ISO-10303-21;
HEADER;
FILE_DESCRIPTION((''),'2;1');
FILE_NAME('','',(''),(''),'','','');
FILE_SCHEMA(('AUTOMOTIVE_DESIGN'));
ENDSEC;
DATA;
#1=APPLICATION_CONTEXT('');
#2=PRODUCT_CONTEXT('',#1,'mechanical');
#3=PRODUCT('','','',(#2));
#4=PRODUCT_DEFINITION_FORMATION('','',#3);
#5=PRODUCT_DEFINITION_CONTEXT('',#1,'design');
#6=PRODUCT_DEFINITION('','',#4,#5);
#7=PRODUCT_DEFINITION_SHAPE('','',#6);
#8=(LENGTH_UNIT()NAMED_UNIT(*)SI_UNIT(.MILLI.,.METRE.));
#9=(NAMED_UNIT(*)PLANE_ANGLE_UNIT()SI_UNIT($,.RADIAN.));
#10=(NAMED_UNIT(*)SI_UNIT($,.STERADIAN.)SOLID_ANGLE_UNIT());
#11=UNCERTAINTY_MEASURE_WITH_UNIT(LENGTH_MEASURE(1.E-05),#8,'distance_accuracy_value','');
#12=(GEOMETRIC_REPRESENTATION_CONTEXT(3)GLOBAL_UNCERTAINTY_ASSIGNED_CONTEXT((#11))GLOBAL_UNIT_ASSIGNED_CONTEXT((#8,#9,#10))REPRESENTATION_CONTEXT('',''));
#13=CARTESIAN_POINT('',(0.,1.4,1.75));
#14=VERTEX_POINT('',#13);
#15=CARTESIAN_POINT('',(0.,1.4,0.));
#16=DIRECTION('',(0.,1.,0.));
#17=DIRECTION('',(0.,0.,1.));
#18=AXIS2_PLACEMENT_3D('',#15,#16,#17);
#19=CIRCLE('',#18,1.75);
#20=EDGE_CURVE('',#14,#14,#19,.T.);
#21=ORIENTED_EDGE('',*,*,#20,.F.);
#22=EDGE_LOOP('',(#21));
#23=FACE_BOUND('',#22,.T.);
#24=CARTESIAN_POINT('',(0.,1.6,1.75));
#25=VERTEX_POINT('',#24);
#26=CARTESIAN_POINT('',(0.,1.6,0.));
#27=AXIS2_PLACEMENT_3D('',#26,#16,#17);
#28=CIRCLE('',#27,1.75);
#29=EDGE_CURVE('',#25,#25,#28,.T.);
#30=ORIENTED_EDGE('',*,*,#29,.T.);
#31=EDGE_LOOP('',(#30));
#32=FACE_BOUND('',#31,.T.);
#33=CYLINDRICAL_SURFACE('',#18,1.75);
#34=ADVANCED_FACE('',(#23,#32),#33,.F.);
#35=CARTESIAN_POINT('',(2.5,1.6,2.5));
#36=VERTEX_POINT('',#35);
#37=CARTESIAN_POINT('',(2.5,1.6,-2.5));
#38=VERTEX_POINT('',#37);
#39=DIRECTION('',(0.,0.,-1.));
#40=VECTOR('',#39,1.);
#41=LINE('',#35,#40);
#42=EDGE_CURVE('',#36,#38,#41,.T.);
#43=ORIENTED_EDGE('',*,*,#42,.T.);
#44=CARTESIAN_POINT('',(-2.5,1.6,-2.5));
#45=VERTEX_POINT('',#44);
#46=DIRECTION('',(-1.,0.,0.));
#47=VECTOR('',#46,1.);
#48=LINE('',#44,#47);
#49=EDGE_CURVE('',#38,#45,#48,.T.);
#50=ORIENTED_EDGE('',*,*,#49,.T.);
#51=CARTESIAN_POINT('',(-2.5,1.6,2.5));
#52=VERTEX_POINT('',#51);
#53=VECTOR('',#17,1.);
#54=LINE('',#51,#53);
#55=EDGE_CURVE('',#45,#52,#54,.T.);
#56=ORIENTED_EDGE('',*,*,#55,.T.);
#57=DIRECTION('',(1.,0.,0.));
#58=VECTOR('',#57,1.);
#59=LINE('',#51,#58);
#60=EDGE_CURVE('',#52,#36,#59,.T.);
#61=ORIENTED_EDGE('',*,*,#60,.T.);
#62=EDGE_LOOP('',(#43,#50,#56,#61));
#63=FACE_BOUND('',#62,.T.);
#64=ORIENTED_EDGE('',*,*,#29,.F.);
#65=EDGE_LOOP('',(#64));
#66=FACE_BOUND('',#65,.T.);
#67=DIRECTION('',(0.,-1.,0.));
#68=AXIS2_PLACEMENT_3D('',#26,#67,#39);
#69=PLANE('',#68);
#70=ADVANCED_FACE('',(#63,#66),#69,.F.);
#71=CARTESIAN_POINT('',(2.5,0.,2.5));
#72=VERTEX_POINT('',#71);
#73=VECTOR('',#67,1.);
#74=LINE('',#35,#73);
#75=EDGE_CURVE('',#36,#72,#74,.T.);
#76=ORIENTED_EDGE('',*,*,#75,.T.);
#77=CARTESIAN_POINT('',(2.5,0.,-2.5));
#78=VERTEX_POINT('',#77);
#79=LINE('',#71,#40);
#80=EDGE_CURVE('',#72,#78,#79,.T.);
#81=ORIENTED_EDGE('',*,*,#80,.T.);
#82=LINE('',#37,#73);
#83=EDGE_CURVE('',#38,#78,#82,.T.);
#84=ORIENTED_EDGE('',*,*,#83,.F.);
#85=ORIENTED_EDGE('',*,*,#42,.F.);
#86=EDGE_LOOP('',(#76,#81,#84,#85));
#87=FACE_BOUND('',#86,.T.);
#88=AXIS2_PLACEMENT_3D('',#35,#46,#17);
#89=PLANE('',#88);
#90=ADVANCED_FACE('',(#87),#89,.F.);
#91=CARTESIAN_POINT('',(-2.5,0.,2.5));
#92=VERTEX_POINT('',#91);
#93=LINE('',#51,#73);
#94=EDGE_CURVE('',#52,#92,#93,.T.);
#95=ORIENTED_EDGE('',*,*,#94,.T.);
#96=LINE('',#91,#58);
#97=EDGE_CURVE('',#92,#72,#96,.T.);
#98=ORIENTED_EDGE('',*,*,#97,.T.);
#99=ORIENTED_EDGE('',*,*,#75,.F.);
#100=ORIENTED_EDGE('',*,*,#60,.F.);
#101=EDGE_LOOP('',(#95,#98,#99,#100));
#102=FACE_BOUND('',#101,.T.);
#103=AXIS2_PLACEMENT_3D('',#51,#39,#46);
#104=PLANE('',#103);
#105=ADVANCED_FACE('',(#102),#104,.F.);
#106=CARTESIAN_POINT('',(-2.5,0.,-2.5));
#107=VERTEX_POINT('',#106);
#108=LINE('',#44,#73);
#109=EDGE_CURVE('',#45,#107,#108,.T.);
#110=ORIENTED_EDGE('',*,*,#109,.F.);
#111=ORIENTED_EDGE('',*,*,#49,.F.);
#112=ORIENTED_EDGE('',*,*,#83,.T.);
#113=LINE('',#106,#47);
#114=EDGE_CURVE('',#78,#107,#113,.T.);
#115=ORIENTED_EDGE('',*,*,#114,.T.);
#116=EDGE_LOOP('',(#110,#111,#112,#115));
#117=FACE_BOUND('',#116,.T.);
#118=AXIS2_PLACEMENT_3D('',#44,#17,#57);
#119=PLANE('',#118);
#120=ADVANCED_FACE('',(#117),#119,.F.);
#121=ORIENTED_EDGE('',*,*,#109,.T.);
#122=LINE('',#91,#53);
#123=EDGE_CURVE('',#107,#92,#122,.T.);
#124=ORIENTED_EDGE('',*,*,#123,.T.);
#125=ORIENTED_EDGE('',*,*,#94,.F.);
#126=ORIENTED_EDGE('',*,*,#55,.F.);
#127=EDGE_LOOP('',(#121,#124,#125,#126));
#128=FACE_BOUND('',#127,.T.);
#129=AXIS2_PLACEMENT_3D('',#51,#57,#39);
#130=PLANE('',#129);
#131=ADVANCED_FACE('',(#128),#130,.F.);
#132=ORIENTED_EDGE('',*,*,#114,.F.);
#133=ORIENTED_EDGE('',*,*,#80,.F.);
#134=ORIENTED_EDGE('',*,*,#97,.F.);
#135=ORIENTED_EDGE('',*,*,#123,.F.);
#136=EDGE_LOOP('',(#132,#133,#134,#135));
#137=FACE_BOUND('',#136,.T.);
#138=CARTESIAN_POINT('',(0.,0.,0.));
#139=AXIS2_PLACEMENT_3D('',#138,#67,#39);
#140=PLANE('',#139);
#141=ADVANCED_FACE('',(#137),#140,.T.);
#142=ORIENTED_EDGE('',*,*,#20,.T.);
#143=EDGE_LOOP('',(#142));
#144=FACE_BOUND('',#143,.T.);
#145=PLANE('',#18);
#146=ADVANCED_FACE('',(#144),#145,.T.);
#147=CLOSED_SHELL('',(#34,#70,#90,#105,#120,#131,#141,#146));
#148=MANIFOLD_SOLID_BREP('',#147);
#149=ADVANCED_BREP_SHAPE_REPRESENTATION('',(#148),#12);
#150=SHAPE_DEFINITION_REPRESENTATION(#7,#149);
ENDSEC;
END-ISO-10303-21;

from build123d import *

# Parameters (mm, degrees)
SKETCH1_W           = 5
SKETCH1_H           = 5
BOSS_EXTRUDE1_DEPTH = 1.6
SKETCH2_R           = 1.75
CUT_EXTRUDE1_DEPTH  = 0.2


with BuildPart() as part:
    # Sketch1 → Boss-Extrude1 (new body)
    with BuildSketch(Plane(origin=(0, 0, 0), x_dir=(1, 0, 0), z_dir=(0, 1, 0))):
        Rectangle(SKETCH1_W, SKETCH1_H)
    extrude(amount=BOSS_EXTRUDE1_DEPTH)

    # Sketch2 → Cut-Extrude1 (cut)
    with BuildSketch(Plane(origin=(0, 1.6, 0), x_dir=(1, 0, 0), z_dir=(0, 1, 0))):
        Circle(SKETCH2_R)
    extrude(amount=-CUT_EXTRUDE1_DEPTH, mode=Mode.SUBTRACT)


solid = part.part
